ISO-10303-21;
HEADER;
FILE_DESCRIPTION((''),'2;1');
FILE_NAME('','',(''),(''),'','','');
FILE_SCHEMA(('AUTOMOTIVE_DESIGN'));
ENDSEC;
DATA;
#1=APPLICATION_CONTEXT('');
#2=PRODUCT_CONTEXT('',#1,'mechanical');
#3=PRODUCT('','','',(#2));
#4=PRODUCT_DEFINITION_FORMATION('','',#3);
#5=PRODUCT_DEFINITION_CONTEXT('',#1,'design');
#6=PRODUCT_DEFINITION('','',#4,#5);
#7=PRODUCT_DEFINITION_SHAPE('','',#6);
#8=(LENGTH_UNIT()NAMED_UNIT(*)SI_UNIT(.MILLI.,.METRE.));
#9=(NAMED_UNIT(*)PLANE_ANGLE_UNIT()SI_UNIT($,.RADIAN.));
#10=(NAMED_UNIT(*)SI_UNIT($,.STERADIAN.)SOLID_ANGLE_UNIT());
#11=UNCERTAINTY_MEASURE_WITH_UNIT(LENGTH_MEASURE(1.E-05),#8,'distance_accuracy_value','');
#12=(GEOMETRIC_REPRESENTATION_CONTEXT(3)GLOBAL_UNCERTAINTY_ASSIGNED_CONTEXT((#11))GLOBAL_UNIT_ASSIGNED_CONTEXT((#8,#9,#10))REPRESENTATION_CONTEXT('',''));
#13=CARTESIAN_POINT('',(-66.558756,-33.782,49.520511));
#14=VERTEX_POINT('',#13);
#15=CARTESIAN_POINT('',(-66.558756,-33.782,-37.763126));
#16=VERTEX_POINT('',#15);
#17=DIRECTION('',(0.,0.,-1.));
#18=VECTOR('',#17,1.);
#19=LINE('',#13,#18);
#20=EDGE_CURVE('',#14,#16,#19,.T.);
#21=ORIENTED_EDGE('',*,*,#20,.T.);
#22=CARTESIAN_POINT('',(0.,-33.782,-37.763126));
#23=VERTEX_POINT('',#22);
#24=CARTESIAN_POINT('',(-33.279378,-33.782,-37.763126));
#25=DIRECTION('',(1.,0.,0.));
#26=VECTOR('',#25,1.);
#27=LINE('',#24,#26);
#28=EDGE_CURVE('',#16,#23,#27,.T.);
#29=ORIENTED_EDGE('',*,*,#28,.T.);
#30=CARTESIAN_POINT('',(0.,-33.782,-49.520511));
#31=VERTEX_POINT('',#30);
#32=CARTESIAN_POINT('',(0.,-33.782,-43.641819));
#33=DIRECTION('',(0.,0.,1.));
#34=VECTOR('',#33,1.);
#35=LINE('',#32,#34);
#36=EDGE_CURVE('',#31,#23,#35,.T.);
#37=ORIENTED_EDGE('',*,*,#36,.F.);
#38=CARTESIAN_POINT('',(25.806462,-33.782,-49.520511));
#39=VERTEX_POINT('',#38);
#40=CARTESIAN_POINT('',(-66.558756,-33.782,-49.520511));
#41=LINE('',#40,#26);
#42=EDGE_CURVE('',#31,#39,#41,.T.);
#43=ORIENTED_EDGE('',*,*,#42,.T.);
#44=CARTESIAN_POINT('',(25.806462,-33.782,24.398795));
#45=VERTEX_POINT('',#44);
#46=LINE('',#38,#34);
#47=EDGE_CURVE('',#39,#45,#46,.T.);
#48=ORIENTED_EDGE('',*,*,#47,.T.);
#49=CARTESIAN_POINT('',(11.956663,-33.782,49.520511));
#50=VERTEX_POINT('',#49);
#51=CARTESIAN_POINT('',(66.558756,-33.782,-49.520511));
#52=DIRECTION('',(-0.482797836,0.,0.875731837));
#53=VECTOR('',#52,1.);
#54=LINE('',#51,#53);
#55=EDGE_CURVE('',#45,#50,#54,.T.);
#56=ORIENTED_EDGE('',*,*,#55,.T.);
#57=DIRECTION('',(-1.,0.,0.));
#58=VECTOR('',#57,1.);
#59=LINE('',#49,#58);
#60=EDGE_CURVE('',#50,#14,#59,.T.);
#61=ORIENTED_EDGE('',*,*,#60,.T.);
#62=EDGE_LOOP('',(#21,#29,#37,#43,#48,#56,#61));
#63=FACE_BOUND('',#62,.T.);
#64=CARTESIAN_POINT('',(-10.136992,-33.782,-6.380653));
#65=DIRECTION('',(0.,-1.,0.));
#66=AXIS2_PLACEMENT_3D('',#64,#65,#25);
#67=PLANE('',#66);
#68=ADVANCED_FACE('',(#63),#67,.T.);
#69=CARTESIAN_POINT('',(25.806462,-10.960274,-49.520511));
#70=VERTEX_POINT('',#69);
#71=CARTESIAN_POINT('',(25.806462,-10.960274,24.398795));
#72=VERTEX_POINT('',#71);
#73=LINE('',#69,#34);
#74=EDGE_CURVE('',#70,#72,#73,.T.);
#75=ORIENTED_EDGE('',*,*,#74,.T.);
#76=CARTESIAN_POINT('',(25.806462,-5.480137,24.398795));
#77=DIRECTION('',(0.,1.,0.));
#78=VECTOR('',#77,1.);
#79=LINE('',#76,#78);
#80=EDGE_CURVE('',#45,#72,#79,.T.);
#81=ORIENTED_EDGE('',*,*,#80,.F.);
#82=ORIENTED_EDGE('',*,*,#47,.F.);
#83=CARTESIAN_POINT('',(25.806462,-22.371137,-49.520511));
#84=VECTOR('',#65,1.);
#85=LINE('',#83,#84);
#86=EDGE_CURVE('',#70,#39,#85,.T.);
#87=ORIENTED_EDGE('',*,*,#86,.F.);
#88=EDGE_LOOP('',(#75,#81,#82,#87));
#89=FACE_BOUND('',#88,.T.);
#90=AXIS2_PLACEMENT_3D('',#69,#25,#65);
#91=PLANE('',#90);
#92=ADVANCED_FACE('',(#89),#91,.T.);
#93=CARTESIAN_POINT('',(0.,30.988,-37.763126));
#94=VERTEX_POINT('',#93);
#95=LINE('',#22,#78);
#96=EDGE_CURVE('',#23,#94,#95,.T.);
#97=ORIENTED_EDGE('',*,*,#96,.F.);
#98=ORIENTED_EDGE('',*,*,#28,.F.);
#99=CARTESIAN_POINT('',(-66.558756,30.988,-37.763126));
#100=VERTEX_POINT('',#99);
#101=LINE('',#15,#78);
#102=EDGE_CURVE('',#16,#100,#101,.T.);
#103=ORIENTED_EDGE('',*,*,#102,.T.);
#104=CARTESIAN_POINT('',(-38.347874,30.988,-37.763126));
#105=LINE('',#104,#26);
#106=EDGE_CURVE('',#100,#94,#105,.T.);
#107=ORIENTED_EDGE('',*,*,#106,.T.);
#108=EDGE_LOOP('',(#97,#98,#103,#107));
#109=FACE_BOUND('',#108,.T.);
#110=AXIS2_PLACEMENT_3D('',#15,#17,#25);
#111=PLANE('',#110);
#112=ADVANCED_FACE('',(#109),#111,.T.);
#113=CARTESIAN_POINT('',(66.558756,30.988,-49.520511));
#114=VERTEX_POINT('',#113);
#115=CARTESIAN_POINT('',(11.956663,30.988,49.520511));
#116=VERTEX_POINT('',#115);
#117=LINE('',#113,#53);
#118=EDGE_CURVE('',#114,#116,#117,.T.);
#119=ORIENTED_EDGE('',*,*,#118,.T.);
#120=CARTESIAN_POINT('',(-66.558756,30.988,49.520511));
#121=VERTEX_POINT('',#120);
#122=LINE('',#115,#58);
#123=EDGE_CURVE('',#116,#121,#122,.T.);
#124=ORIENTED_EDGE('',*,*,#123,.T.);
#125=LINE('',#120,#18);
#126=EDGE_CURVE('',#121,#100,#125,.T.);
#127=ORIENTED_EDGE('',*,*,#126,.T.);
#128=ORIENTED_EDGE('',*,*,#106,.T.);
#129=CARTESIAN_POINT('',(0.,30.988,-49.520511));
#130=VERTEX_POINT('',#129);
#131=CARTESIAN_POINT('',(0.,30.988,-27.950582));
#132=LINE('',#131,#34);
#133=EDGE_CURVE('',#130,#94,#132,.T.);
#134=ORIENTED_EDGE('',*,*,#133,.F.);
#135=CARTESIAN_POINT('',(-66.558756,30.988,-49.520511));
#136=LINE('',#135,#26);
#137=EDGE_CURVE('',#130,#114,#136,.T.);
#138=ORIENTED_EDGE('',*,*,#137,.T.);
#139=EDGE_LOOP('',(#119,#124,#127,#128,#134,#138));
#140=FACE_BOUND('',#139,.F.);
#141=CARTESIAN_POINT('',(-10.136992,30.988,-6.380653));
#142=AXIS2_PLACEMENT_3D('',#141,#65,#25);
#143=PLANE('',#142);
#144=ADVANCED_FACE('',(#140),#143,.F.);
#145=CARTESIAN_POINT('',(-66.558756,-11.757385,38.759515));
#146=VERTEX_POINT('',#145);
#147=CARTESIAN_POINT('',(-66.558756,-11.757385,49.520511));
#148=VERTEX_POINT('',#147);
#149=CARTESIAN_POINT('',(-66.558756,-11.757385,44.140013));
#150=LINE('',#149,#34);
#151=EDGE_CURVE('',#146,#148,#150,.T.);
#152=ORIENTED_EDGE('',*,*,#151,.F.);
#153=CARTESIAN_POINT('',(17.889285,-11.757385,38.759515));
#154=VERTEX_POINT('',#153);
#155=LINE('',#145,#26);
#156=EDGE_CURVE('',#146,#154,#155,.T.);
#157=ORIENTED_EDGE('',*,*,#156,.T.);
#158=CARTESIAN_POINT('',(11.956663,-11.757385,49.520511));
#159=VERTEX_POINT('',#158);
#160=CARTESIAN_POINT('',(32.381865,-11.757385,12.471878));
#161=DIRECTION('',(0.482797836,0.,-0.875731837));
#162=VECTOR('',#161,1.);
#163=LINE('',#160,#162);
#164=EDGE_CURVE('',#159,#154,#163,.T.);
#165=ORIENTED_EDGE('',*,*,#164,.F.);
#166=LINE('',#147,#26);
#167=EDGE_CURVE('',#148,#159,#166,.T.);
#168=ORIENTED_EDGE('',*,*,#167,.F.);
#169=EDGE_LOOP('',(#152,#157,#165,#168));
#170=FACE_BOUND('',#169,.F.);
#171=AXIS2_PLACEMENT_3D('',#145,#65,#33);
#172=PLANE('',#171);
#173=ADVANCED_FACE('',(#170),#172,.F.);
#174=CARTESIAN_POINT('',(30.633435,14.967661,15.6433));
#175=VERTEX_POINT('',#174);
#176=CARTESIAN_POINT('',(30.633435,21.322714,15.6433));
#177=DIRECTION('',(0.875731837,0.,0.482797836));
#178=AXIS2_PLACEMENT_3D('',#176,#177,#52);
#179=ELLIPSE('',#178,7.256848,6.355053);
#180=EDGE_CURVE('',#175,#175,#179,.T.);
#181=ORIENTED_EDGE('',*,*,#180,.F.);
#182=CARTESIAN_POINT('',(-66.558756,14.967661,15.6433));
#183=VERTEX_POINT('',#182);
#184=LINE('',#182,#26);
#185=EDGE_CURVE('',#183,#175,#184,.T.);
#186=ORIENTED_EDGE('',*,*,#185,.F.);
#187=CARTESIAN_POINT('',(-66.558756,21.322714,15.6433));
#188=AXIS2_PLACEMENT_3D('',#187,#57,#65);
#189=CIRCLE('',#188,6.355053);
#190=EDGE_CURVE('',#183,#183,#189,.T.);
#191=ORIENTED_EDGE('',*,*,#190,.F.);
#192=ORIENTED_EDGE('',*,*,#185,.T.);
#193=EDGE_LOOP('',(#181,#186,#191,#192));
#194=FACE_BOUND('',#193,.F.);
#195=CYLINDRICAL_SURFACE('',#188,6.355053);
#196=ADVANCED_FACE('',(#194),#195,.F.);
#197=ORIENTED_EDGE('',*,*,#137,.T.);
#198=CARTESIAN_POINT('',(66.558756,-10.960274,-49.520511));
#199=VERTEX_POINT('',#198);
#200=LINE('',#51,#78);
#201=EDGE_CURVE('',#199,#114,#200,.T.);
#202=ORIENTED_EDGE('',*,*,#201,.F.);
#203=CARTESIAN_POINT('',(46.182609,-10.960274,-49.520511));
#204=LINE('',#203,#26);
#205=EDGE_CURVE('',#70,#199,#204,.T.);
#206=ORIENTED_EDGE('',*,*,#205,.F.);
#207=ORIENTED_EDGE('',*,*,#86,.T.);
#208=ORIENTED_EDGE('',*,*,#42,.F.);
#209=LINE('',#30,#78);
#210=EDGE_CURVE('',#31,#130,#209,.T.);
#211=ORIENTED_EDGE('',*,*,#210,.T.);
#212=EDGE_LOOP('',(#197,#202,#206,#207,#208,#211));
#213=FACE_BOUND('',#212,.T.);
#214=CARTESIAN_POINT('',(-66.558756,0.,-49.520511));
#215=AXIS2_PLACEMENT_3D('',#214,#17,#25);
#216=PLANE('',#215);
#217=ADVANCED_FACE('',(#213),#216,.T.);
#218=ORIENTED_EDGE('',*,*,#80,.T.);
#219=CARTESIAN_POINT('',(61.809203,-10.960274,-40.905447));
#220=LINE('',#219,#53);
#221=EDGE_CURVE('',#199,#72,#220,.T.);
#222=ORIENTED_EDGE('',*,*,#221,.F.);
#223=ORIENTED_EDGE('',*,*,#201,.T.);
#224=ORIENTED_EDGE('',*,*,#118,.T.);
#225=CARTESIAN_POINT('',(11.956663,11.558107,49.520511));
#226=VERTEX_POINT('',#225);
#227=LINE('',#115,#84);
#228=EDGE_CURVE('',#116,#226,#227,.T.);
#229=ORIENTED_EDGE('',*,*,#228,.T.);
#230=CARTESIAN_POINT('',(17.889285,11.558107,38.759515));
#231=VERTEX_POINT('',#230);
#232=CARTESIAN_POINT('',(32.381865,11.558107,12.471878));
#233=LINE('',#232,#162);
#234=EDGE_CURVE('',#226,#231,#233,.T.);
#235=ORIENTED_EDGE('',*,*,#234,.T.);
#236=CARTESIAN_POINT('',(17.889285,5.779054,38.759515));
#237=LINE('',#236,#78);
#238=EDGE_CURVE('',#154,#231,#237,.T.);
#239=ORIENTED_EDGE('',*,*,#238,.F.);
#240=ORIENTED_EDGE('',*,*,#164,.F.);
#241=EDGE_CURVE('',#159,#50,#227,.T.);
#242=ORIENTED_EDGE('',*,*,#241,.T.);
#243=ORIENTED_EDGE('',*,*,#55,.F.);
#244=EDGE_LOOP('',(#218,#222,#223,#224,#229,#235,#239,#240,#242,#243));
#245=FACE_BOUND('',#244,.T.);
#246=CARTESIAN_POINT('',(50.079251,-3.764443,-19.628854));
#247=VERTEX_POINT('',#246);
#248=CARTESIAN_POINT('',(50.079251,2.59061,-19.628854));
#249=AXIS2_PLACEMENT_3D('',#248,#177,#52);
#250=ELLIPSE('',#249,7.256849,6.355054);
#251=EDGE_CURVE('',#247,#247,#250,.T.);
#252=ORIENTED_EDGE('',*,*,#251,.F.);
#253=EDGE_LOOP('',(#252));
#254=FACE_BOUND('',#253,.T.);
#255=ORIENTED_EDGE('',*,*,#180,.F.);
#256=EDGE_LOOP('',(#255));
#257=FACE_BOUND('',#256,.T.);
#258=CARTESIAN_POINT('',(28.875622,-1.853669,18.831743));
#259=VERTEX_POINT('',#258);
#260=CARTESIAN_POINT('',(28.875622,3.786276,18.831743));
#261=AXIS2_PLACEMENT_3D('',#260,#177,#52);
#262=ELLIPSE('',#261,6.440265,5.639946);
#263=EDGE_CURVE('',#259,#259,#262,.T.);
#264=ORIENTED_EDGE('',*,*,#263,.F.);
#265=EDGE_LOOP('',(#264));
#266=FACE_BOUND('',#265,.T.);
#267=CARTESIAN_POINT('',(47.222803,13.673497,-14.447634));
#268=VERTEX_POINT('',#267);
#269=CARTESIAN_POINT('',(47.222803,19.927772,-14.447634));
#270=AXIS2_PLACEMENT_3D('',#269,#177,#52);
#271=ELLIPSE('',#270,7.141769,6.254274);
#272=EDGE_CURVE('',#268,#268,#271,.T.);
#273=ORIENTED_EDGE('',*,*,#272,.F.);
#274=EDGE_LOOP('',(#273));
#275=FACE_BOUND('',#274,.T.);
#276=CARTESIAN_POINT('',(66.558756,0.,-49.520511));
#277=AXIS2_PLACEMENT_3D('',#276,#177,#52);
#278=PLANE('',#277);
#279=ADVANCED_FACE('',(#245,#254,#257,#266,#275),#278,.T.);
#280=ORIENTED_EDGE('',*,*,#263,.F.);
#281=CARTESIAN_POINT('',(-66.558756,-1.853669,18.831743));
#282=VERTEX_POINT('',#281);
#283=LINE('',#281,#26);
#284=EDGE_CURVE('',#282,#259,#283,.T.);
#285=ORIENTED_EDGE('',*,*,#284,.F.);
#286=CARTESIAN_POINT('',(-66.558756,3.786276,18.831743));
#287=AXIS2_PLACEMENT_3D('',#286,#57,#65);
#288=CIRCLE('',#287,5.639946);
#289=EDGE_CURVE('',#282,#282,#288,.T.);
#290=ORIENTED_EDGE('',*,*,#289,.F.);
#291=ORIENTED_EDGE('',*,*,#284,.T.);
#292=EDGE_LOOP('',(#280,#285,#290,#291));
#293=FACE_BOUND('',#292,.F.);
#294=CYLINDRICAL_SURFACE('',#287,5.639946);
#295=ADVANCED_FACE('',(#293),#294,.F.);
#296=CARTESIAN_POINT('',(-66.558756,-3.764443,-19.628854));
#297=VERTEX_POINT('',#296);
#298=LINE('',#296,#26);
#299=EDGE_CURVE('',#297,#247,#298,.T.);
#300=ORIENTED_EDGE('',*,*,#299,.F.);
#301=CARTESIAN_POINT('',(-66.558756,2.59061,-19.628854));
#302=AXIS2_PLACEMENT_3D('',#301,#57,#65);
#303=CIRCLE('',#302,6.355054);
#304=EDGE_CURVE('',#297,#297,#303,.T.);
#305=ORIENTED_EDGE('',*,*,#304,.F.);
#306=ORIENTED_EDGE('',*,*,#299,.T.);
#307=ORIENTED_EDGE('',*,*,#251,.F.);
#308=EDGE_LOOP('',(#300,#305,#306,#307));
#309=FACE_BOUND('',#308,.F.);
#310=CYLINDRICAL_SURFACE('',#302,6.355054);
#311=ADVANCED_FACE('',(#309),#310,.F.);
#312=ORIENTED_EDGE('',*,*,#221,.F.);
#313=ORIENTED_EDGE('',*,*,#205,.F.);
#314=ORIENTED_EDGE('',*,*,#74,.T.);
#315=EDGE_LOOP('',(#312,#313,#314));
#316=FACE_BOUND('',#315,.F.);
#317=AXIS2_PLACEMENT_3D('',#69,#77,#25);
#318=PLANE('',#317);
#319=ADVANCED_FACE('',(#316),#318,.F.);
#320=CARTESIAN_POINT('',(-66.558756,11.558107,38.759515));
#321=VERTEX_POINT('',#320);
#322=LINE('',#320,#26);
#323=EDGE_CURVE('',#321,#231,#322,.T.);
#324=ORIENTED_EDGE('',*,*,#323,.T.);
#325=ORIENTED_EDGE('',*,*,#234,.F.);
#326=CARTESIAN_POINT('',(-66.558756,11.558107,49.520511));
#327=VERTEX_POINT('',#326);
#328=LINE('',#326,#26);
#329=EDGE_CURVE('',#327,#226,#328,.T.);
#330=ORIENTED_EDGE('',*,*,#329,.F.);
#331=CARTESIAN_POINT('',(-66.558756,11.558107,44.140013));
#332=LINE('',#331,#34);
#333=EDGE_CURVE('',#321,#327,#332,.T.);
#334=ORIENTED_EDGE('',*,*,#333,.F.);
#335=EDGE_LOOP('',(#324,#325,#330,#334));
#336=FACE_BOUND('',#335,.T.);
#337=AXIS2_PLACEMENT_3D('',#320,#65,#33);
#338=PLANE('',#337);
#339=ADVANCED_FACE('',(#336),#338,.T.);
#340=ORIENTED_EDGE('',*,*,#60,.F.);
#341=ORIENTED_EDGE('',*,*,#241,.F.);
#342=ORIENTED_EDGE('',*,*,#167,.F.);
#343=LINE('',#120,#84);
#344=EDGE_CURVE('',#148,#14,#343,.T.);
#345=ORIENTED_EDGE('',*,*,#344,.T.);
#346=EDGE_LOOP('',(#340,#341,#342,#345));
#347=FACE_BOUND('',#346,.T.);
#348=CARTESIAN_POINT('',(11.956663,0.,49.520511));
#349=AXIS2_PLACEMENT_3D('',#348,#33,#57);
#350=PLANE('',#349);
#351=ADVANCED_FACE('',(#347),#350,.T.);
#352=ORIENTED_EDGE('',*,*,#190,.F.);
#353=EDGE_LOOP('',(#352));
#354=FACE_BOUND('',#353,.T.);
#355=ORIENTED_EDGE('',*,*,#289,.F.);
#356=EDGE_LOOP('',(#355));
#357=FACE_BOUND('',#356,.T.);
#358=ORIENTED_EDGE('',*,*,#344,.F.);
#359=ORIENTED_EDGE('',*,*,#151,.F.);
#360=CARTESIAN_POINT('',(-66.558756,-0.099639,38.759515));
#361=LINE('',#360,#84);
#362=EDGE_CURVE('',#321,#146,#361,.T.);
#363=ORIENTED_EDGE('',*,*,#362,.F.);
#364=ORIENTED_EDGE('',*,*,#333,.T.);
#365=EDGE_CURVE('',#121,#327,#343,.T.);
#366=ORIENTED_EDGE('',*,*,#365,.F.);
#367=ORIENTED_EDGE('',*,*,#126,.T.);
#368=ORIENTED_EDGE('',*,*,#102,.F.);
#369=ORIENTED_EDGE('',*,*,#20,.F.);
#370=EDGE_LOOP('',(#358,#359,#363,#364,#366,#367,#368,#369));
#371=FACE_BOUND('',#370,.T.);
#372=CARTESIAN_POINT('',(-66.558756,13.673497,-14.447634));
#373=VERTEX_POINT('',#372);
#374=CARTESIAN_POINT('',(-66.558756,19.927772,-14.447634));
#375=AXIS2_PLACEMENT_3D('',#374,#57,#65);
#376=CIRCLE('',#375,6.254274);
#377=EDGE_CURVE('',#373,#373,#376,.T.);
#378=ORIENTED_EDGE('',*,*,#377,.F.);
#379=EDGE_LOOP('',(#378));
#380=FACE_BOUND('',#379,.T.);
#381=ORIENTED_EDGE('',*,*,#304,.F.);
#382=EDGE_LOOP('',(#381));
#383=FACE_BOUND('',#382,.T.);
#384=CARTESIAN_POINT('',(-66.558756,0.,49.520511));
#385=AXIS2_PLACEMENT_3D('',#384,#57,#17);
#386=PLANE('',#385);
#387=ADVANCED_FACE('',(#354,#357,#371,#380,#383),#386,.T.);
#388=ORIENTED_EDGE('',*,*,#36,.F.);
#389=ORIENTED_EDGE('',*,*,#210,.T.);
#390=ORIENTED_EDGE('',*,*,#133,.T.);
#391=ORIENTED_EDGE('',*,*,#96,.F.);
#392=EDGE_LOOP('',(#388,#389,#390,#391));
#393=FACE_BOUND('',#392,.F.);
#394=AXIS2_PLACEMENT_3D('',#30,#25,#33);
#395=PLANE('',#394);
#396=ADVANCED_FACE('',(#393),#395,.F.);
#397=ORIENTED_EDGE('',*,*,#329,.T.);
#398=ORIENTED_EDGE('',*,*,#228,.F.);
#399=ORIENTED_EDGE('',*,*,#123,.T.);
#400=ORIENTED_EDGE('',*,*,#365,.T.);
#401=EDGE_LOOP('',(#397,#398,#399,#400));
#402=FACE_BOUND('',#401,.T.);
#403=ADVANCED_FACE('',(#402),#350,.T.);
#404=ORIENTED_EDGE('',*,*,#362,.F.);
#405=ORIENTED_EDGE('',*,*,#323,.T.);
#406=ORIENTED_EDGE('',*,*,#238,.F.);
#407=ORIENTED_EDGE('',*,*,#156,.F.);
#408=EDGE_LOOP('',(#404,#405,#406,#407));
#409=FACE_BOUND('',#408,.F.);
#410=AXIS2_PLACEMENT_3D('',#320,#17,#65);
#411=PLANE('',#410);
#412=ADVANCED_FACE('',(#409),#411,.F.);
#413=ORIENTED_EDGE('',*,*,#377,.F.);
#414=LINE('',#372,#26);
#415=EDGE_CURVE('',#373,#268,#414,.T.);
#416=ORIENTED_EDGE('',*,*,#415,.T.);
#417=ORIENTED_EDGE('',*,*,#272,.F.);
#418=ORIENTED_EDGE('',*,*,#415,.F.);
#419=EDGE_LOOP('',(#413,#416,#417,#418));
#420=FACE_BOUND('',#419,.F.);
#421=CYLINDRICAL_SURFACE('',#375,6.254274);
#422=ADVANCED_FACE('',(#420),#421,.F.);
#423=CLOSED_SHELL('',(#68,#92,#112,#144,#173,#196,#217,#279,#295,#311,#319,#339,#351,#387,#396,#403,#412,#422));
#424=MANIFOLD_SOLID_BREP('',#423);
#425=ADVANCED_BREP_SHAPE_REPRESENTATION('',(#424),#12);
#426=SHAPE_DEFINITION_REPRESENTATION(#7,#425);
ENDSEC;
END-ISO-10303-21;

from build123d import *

# Parameters (mm, degrees)
F1_DEPTH      = 33.782
F1_DEPTH_BACK = 30.988
F2_W          = 23.3154920861
F2_H          = 10.7609964907
F3_DEPTH      = 133.35
F4_W          = 40.752293542
F4_H          = 22.821725624
F5_DEPTH      = 113.792
F6_R          = 6.3550530627
F6_R_2        = 5.6399455055
F6_R_3        = 6.2542744147
F6_R_4        = 6.3550538293
F7_DEPTH      = 204.978
F8_W          = 66.5587559342
F8_H          = 11.7573849857
F9_DEPTH      = 176.53


with BuildPart() as f1:
    # F0 (on Front) → F1 (new body, two sides)
    with BuildSketch(Plane.XZ) as f1_sk:
        Polygon((66.5587559342, -49.5205111802), (11.9566628709, 49.5205111802), (-66.5587559342, 49.5205111802), (-66.5587559342, -49.5205111802), align=None)
    extrude(amount=F1_DEPTH)
    extrude(f1_sk.sketch, amount=-F1_DEPTH_BACK)

    # F2 (on face) → F3 (cut)
    with BuildSketch(Plane(origin=(-66.5587559342, 0, 0), x_dir=(0, -1, 0), z_dir=(-1, 0, 0))):
        with Locations((0.0996389426, 44.1400129348)):
            Rectangle(F2_W, F2_H)
    extrude(amount=-F3_DEPTH, mode=Mode.SUBTRACT)

    # F4 (on face) → F5 (cut)
    with BuildSketch(Plane(origin=(0, 0, -49.5205111802), x_dir=(1, 0, 0), z_dir=(0, 0, -1))):
        with Locations((46.1826091632, 22.371137188)):
            Rectangle(F4_W, F4_H)
    extrude(amount=-F5_DEPTH, mode=Mode.SUBTRACT)

    # F6 (on face) → F7 (cut)
    with BuildSketch(Plane(origin=(-66.5587559342, 0, 0), x_dir=(0, -1, 0), z_dir=(-1, 0, 0))):
        with Locations((-21.3227141649, 15.6433004886)):
            Circle(F6_R)
        with Locations((-3.7862760946, 18.8317429274)):
            Circle(F6_R_2)
        with Locations((-19.927771762, -14.4476341084)):
            Circle(F6_R_3)
        with Locations((-2.5906104129, -19.6288544685)):
            Circle(F6_R_4)
    extrude(amount=-F7_DEPTH, mode=Mode.SUBTRACT)

    # F8 (on face) → F9 (cut)
    with BuildSketch(Plane.XZ.offset(33.782)):
        with Locations((-33.2793779671, -43.6418186873)):
            Rectangle(F8_W, F8_H)
    extrude(amount=-F9_DEPTH, mode=Mode.SUBTRACT)


solid = f1.part
